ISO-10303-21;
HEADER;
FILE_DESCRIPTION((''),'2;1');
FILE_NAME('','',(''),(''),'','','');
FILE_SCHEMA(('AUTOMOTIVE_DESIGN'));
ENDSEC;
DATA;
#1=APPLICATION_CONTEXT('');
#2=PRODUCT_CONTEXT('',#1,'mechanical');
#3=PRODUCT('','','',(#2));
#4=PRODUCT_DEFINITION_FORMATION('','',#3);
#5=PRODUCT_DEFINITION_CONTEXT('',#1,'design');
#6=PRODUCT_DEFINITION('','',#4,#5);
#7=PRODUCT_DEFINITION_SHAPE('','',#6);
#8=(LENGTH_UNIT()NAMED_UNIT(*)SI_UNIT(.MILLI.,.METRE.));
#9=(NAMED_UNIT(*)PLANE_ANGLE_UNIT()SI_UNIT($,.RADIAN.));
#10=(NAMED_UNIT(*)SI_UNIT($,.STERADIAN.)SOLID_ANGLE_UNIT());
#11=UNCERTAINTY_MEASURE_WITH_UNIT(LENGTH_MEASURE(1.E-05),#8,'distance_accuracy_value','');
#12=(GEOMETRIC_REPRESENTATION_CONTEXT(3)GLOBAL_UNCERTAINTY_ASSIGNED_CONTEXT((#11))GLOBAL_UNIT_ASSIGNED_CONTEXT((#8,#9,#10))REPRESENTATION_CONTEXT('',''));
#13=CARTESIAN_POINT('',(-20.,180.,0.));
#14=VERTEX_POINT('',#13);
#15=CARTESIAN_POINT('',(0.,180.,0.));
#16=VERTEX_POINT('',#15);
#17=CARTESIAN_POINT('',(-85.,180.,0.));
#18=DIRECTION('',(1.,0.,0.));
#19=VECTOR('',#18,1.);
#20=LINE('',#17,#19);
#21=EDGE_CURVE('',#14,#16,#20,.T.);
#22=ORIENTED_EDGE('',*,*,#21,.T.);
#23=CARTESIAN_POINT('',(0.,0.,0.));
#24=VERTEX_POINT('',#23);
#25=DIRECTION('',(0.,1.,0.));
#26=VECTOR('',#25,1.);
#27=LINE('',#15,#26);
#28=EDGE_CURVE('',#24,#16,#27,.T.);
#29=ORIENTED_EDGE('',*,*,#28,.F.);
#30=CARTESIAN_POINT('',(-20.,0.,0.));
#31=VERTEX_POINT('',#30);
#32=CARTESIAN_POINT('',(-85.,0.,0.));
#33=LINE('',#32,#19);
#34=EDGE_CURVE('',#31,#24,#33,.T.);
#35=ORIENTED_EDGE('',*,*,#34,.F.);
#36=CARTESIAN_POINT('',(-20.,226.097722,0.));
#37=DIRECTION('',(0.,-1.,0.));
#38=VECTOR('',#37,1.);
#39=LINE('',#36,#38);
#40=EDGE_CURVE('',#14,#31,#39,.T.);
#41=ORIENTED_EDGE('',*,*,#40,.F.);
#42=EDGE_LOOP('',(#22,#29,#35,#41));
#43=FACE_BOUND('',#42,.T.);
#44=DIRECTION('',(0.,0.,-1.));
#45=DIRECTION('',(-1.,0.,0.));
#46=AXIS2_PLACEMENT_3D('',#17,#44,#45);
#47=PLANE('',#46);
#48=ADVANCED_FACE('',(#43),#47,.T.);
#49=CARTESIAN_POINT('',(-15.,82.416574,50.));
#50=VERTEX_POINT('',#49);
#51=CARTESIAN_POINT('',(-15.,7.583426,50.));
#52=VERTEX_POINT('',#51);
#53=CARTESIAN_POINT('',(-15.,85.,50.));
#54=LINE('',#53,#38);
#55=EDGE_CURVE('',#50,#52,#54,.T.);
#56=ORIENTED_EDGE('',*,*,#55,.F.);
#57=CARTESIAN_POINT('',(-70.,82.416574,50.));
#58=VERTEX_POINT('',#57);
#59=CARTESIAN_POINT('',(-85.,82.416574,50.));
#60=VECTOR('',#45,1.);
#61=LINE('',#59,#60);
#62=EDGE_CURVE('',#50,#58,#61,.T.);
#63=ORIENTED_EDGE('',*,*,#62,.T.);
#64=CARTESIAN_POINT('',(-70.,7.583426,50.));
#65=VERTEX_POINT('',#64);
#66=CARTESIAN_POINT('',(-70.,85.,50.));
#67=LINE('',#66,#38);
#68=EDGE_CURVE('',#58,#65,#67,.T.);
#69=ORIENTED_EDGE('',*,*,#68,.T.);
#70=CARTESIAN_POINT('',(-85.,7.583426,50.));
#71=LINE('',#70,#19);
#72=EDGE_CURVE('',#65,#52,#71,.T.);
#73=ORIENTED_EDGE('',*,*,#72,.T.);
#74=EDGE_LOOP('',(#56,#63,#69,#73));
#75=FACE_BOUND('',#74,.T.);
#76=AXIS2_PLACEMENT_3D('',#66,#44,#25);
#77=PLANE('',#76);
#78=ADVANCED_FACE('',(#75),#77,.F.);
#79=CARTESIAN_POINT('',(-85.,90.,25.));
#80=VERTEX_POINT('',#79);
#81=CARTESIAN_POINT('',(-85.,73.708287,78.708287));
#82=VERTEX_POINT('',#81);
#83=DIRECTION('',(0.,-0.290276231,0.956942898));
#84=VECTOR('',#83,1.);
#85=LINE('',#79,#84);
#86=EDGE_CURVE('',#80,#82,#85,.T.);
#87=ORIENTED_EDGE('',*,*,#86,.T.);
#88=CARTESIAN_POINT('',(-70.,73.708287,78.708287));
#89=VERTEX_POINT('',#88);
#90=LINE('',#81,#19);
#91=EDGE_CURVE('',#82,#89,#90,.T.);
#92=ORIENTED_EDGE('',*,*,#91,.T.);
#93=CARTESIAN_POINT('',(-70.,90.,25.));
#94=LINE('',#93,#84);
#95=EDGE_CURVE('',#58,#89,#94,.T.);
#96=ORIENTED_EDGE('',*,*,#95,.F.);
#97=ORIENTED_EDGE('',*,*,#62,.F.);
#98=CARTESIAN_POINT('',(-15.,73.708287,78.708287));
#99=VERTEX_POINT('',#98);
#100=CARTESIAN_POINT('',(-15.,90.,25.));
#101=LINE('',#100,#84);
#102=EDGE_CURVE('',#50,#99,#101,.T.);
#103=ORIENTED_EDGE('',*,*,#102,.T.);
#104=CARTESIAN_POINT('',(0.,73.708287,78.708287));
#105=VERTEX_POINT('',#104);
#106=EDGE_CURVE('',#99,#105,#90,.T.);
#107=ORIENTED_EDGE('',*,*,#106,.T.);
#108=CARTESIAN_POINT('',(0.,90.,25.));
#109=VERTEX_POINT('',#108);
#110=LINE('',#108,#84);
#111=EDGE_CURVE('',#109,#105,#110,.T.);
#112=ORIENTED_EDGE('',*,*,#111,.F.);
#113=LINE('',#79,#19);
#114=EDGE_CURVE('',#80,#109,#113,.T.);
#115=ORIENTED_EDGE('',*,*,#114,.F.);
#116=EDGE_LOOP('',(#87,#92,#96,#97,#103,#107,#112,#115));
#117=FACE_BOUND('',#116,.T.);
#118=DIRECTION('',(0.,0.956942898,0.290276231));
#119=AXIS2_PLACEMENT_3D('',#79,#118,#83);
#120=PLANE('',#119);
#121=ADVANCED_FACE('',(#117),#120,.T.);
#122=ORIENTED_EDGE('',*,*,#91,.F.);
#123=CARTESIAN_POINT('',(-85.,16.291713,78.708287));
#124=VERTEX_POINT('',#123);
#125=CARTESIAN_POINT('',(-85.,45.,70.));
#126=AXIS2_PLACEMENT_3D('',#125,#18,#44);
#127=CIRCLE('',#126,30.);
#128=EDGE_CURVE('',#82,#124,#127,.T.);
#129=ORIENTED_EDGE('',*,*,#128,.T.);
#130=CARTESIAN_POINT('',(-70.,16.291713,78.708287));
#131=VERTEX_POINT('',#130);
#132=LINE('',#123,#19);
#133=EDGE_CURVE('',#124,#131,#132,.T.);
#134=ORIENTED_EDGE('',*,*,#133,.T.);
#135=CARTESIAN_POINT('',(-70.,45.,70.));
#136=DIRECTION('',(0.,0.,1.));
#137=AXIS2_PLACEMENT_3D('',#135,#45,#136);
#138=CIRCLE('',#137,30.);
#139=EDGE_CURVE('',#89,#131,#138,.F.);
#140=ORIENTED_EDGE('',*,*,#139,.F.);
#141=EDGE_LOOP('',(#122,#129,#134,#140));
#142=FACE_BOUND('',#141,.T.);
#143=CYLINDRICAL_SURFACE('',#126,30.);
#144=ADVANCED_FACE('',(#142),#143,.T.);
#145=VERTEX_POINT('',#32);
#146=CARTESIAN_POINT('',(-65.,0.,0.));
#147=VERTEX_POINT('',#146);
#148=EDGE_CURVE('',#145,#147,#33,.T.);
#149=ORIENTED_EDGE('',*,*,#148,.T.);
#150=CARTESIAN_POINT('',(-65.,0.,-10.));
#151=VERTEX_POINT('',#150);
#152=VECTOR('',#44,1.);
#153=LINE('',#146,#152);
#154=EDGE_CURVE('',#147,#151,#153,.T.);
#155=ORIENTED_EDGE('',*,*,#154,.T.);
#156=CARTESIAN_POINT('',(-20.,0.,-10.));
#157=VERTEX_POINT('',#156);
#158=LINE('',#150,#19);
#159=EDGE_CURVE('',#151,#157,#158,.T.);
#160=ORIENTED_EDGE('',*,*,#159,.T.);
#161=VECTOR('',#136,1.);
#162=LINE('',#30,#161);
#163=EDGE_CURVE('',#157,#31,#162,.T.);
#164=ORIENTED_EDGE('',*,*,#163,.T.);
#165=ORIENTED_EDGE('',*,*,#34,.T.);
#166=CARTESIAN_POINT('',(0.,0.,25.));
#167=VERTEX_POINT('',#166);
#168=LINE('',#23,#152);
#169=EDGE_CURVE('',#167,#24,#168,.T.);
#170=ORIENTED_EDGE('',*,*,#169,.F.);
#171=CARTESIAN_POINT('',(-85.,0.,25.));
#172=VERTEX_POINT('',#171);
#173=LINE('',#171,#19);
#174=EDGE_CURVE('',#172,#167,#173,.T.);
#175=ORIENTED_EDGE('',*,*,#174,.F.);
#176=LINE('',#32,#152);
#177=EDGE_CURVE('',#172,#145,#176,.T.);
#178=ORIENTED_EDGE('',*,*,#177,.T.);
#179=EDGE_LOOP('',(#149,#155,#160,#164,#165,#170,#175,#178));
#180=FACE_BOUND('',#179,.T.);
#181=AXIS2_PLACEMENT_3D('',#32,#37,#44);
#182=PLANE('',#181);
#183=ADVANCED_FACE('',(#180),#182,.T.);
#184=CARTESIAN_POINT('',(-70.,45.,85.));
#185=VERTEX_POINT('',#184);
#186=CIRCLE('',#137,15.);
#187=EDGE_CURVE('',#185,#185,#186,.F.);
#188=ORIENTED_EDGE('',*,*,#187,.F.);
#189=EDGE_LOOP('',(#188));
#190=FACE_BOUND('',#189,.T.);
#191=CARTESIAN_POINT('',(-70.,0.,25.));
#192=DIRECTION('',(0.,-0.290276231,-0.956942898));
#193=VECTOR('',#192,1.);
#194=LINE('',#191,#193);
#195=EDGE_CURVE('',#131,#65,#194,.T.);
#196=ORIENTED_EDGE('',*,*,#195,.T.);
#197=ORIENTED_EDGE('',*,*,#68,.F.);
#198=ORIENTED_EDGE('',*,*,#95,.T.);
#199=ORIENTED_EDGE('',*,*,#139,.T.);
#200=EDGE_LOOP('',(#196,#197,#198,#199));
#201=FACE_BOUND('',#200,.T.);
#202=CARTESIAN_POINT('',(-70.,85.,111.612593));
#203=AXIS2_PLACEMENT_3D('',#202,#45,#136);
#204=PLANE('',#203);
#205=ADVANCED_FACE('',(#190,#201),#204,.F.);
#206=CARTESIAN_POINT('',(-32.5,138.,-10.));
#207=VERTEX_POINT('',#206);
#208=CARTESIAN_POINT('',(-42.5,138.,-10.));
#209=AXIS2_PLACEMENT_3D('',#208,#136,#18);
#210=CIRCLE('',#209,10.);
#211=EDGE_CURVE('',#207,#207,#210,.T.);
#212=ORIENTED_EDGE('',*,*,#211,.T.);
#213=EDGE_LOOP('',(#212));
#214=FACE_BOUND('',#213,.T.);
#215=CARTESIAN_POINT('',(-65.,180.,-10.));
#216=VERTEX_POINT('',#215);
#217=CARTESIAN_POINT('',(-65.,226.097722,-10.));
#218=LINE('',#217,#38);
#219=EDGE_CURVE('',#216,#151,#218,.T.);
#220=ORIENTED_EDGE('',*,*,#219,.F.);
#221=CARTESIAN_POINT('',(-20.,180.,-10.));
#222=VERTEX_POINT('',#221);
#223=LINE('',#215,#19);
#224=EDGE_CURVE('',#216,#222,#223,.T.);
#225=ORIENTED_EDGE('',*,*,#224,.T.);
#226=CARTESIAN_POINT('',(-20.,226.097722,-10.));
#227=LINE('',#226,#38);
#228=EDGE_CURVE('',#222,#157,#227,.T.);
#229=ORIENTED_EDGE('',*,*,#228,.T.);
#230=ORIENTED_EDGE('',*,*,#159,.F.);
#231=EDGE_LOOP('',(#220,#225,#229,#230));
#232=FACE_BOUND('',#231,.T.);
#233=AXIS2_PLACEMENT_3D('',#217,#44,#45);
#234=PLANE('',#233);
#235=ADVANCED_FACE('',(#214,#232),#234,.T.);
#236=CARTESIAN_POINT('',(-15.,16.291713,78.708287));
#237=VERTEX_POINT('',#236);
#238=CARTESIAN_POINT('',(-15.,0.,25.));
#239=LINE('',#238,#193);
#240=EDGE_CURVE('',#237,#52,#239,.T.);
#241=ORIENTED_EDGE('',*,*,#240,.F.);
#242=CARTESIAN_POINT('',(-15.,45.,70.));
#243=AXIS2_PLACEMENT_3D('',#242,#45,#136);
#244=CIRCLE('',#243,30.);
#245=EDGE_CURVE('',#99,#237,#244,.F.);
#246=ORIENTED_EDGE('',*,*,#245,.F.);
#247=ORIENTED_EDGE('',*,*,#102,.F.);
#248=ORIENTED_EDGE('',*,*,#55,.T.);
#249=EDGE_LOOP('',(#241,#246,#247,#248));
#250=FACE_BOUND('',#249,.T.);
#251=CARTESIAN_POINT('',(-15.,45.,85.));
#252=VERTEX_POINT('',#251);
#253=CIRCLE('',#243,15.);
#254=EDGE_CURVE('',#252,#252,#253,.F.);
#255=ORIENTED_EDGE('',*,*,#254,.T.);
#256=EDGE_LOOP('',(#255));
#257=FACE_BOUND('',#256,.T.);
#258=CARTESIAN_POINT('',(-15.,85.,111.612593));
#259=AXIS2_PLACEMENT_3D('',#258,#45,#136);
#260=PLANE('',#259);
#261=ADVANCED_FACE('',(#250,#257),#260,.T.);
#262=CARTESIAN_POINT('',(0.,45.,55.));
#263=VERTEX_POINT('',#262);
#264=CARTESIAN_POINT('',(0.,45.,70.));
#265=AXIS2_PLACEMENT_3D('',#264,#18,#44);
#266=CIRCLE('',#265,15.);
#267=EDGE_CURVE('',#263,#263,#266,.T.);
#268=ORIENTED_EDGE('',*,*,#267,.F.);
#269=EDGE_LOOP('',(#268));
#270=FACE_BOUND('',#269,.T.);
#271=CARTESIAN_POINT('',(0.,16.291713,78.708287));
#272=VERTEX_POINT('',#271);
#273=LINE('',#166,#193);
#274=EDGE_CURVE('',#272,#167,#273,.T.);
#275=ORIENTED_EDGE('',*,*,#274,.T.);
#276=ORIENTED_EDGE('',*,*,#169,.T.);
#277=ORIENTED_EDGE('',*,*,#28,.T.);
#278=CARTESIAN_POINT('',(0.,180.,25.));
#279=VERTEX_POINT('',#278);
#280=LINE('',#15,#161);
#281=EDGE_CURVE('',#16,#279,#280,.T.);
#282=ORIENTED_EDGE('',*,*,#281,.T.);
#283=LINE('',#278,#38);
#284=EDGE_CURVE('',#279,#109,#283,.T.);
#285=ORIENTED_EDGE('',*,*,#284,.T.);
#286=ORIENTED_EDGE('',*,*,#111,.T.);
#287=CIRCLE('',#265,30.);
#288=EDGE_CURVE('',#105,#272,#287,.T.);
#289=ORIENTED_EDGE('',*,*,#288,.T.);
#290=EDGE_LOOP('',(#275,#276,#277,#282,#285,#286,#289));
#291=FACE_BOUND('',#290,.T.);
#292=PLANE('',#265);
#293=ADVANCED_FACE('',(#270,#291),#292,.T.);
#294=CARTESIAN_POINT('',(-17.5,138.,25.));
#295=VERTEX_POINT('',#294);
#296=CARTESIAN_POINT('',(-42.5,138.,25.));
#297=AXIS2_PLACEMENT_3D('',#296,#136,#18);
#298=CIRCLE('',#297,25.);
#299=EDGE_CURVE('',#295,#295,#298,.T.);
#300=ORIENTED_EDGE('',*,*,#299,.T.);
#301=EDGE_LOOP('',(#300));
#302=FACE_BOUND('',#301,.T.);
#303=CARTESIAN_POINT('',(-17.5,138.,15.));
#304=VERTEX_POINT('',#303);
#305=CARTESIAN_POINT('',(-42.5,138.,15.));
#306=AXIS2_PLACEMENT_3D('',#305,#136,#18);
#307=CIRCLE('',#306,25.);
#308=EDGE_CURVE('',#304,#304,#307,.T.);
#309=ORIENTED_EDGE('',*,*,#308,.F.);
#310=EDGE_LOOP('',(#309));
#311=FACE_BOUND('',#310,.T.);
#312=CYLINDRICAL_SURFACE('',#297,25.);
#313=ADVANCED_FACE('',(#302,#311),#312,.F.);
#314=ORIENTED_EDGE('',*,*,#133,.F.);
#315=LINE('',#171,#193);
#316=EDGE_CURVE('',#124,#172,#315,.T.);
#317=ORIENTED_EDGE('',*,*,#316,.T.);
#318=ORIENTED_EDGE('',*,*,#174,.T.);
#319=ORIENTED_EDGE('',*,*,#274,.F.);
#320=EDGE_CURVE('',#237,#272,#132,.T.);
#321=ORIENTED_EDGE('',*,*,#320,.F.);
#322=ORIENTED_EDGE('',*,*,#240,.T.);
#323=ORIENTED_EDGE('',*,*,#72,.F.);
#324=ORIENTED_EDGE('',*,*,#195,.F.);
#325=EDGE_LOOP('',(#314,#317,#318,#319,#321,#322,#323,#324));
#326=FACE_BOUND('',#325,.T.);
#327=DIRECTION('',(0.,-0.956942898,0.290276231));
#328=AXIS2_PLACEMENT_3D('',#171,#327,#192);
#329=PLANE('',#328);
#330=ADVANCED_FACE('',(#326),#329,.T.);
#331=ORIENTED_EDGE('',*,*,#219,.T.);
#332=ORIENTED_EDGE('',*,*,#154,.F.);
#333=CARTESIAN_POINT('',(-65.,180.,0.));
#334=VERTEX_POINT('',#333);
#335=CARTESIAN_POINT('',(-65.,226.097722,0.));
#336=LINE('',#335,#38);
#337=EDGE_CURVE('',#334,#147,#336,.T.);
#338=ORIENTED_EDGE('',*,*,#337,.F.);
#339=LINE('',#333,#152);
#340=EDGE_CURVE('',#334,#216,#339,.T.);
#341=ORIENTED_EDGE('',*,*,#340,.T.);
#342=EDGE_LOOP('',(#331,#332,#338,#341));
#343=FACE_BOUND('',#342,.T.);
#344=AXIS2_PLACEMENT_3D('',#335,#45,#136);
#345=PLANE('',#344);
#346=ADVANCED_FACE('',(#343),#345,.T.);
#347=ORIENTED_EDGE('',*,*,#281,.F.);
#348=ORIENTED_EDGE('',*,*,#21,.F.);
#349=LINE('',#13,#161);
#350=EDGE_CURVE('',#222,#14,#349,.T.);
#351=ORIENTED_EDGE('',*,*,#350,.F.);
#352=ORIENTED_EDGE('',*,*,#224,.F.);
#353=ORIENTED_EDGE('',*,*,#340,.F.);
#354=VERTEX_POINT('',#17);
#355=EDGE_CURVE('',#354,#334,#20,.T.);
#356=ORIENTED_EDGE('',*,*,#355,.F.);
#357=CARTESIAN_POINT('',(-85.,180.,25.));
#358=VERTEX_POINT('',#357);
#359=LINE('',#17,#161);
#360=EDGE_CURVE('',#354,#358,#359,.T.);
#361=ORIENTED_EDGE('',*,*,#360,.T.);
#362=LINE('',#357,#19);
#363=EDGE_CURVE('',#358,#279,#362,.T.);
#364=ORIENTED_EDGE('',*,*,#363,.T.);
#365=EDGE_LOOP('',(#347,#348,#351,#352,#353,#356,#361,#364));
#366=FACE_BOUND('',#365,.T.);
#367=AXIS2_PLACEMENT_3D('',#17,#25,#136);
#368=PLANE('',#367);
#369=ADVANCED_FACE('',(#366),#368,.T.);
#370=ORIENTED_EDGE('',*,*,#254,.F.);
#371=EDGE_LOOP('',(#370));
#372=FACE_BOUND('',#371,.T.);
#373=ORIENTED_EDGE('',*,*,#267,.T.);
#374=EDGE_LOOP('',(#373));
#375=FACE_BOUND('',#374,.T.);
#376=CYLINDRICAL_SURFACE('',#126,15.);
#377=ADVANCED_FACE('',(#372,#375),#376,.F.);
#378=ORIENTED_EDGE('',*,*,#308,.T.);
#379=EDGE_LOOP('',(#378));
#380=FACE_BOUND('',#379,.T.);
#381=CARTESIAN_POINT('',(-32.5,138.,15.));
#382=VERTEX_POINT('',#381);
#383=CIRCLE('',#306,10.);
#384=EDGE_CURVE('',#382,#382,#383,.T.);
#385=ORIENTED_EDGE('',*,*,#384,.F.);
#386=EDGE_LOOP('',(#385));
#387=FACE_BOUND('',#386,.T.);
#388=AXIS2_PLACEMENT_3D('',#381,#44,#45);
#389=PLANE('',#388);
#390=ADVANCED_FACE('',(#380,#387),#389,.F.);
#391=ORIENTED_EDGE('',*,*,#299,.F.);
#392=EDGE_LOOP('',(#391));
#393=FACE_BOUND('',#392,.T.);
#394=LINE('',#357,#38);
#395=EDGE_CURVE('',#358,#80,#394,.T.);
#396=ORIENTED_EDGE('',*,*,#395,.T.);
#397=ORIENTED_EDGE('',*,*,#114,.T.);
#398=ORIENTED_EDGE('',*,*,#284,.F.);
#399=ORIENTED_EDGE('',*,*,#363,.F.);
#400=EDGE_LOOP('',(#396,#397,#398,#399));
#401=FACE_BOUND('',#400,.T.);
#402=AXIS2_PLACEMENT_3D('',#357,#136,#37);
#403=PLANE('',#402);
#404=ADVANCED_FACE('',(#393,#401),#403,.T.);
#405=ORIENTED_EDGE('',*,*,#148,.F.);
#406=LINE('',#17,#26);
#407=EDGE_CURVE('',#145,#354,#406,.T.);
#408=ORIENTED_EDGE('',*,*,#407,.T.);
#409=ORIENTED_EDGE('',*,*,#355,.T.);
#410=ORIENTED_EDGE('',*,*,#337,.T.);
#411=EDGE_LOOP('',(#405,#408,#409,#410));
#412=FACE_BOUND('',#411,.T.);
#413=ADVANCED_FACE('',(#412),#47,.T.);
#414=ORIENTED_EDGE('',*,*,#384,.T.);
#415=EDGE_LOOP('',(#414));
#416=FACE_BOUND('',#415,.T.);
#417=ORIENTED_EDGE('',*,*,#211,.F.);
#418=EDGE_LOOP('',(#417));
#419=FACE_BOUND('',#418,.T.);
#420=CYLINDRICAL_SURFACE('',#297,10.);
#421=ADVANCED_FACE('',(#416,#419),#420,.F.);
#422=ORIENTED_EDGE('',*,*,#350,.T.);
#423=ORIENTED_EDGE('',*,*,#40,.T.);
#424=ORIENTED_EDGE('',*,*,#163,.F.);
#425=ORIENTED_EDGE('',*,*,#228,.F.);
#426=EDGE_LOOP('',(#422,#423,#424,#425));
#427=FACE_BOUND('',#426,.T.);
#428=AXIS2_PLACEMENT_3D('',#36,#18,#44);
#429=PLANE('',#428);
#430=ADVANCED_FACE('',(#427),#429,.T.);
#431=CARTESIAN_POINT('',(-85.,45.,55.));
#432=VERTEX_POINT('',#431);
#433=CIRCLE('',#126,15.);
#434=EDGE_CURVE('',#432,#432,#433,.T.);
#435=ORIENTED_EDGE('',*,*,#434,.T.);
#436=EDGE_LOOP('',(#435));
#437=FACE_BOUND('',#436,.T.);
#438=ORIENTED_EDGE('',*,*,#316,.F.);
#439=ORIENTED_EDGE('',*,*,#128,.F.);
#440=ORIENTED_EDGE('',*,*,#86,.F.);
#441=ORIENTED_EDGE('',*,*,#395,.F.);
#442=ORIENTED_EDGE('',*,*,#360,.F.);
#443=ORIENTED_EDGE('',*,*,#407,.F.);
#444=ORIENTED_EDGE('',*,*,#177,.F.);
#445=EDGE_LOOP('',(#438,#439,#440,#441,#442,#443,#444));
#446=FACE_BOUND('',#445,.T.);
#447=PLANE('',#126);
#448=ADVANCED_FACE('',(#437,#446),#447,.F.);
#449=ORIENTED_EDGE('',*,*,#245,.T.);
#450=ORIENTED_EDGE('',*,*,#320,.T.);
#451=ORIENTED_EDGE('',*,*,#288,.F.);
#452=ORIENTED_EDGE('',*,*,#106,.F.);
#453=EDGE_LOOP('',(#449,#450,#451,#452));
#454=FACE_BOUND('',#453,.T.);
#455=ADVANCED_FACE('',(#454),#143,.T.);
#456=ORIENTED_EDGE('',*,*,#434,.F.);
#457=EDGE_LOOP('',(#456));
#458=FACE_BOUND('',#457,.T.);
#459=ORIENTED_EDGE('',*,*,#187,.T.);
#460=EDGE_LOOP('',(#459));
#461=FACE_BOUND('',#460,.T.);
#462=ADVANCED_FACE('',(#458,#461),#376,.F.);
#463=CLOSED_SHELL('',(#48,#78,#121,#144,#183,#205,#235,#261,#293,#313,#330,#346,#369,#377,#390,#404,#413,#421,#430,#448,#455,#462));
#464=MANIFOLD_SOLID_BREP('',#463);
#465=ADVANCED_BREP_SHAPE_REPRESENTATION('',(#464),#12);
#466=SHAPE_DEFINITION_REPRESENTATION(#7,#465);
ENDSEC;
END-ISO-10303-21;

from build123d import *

# Parameters (mm, degrees)
SKETCH1_R                                            = 15
BOSS_EXTRUDE1_DEPTH                                  = 85
SKETCH2_W                                            = 55
SKETCH2_H                                            = 61.612592623
CUT_EXTRUDE1_DEPTH                                   = 85
SKETCH3_W                                            = 45
SKETCH3_H                                            = 10
BOSS_EXTRUDE2_DEPTH                                  = 180
CBORE_FOR_1_4_BINDING_HEAD_MACHINE_SCREW_D           = 19.999999878
CBORE_FOR_1_4_BINDING_HEAD_MACHINE_SCREW_CBORE_D     = 50.000000076
CBORE_FOR_1_4_BINDING_HEAD_MACHINE_SCREW_CBORE_DEPTH = 10.000000066


with BuildPart() as part:
    # Sketch1 → Boss-Extrude1 (new body)
    with BuildSketch(Plane(origin=(0, 0, 0), x_dir=(0, 0, -1), z_dir=(1, 0, 0))):
        with BuildLine():
            Line((0, 180), (0, 0))
            Line((0, 0), (-25, 0))
            Line((-25, 0), (-78.708286934, 16.291713066))
            ThreePointArc((-78.708286934, 16.291713066), (-100, 45), (-78.708286934, 73.708286934))
            Line((-78.708286934, 73.708286934), (-25, 90))
            Line((-25, 90), (-25, 180))
            Line((-25, 180), (0, 180))
        make_face()
        with Locations((-70, 45)):
            Circle(SKETCH1_R, mode=Mode.SUBTRACT)
    extrude(amount=-BOSS_EXTRUDE1_DEPTH)

    # Sketch2 → Cut-Extrude1 (cut)
    with BuildSketch(Plane.XZ):
        with Locations((-42.5, 80.806296312)):
            Rectangle(SKETCH2_W, SKETCH2_H)
    extrude(amount=-CUT_EXTRUDE1_DEPTH, mode=Mode.SUBTRACT)

    # Sketch3 → Boss-Extrude2 (add)
    with BuildSketch(Plane.XZ):
        with Locations((-42.5, -5)):
            Rectangle(SKETCH3_W, SKETCH3_H)
    extrude(amount=-BOSS_EXTRUDE2_DEPTH)

    # CBORE for 1/4 Binding Head Machine Screw1 (through all)
    with Locations(Plane.XY.offset(25)):
        with Locations((-42.5, 138)):
            CounterBoreHole(CBORE_FOR_1_4_BINDING_HEAD_MACHINE_SCREW_D / 2, CBORE_FOR_1_4_BINDING_HEAD_MACHINE_SCREW_CBORE_D / 2, CBORE_FOR_1_4_BINDING_HEAD_MACHINE_SCREW_CBORE_DEPTH)


solid = part.part
